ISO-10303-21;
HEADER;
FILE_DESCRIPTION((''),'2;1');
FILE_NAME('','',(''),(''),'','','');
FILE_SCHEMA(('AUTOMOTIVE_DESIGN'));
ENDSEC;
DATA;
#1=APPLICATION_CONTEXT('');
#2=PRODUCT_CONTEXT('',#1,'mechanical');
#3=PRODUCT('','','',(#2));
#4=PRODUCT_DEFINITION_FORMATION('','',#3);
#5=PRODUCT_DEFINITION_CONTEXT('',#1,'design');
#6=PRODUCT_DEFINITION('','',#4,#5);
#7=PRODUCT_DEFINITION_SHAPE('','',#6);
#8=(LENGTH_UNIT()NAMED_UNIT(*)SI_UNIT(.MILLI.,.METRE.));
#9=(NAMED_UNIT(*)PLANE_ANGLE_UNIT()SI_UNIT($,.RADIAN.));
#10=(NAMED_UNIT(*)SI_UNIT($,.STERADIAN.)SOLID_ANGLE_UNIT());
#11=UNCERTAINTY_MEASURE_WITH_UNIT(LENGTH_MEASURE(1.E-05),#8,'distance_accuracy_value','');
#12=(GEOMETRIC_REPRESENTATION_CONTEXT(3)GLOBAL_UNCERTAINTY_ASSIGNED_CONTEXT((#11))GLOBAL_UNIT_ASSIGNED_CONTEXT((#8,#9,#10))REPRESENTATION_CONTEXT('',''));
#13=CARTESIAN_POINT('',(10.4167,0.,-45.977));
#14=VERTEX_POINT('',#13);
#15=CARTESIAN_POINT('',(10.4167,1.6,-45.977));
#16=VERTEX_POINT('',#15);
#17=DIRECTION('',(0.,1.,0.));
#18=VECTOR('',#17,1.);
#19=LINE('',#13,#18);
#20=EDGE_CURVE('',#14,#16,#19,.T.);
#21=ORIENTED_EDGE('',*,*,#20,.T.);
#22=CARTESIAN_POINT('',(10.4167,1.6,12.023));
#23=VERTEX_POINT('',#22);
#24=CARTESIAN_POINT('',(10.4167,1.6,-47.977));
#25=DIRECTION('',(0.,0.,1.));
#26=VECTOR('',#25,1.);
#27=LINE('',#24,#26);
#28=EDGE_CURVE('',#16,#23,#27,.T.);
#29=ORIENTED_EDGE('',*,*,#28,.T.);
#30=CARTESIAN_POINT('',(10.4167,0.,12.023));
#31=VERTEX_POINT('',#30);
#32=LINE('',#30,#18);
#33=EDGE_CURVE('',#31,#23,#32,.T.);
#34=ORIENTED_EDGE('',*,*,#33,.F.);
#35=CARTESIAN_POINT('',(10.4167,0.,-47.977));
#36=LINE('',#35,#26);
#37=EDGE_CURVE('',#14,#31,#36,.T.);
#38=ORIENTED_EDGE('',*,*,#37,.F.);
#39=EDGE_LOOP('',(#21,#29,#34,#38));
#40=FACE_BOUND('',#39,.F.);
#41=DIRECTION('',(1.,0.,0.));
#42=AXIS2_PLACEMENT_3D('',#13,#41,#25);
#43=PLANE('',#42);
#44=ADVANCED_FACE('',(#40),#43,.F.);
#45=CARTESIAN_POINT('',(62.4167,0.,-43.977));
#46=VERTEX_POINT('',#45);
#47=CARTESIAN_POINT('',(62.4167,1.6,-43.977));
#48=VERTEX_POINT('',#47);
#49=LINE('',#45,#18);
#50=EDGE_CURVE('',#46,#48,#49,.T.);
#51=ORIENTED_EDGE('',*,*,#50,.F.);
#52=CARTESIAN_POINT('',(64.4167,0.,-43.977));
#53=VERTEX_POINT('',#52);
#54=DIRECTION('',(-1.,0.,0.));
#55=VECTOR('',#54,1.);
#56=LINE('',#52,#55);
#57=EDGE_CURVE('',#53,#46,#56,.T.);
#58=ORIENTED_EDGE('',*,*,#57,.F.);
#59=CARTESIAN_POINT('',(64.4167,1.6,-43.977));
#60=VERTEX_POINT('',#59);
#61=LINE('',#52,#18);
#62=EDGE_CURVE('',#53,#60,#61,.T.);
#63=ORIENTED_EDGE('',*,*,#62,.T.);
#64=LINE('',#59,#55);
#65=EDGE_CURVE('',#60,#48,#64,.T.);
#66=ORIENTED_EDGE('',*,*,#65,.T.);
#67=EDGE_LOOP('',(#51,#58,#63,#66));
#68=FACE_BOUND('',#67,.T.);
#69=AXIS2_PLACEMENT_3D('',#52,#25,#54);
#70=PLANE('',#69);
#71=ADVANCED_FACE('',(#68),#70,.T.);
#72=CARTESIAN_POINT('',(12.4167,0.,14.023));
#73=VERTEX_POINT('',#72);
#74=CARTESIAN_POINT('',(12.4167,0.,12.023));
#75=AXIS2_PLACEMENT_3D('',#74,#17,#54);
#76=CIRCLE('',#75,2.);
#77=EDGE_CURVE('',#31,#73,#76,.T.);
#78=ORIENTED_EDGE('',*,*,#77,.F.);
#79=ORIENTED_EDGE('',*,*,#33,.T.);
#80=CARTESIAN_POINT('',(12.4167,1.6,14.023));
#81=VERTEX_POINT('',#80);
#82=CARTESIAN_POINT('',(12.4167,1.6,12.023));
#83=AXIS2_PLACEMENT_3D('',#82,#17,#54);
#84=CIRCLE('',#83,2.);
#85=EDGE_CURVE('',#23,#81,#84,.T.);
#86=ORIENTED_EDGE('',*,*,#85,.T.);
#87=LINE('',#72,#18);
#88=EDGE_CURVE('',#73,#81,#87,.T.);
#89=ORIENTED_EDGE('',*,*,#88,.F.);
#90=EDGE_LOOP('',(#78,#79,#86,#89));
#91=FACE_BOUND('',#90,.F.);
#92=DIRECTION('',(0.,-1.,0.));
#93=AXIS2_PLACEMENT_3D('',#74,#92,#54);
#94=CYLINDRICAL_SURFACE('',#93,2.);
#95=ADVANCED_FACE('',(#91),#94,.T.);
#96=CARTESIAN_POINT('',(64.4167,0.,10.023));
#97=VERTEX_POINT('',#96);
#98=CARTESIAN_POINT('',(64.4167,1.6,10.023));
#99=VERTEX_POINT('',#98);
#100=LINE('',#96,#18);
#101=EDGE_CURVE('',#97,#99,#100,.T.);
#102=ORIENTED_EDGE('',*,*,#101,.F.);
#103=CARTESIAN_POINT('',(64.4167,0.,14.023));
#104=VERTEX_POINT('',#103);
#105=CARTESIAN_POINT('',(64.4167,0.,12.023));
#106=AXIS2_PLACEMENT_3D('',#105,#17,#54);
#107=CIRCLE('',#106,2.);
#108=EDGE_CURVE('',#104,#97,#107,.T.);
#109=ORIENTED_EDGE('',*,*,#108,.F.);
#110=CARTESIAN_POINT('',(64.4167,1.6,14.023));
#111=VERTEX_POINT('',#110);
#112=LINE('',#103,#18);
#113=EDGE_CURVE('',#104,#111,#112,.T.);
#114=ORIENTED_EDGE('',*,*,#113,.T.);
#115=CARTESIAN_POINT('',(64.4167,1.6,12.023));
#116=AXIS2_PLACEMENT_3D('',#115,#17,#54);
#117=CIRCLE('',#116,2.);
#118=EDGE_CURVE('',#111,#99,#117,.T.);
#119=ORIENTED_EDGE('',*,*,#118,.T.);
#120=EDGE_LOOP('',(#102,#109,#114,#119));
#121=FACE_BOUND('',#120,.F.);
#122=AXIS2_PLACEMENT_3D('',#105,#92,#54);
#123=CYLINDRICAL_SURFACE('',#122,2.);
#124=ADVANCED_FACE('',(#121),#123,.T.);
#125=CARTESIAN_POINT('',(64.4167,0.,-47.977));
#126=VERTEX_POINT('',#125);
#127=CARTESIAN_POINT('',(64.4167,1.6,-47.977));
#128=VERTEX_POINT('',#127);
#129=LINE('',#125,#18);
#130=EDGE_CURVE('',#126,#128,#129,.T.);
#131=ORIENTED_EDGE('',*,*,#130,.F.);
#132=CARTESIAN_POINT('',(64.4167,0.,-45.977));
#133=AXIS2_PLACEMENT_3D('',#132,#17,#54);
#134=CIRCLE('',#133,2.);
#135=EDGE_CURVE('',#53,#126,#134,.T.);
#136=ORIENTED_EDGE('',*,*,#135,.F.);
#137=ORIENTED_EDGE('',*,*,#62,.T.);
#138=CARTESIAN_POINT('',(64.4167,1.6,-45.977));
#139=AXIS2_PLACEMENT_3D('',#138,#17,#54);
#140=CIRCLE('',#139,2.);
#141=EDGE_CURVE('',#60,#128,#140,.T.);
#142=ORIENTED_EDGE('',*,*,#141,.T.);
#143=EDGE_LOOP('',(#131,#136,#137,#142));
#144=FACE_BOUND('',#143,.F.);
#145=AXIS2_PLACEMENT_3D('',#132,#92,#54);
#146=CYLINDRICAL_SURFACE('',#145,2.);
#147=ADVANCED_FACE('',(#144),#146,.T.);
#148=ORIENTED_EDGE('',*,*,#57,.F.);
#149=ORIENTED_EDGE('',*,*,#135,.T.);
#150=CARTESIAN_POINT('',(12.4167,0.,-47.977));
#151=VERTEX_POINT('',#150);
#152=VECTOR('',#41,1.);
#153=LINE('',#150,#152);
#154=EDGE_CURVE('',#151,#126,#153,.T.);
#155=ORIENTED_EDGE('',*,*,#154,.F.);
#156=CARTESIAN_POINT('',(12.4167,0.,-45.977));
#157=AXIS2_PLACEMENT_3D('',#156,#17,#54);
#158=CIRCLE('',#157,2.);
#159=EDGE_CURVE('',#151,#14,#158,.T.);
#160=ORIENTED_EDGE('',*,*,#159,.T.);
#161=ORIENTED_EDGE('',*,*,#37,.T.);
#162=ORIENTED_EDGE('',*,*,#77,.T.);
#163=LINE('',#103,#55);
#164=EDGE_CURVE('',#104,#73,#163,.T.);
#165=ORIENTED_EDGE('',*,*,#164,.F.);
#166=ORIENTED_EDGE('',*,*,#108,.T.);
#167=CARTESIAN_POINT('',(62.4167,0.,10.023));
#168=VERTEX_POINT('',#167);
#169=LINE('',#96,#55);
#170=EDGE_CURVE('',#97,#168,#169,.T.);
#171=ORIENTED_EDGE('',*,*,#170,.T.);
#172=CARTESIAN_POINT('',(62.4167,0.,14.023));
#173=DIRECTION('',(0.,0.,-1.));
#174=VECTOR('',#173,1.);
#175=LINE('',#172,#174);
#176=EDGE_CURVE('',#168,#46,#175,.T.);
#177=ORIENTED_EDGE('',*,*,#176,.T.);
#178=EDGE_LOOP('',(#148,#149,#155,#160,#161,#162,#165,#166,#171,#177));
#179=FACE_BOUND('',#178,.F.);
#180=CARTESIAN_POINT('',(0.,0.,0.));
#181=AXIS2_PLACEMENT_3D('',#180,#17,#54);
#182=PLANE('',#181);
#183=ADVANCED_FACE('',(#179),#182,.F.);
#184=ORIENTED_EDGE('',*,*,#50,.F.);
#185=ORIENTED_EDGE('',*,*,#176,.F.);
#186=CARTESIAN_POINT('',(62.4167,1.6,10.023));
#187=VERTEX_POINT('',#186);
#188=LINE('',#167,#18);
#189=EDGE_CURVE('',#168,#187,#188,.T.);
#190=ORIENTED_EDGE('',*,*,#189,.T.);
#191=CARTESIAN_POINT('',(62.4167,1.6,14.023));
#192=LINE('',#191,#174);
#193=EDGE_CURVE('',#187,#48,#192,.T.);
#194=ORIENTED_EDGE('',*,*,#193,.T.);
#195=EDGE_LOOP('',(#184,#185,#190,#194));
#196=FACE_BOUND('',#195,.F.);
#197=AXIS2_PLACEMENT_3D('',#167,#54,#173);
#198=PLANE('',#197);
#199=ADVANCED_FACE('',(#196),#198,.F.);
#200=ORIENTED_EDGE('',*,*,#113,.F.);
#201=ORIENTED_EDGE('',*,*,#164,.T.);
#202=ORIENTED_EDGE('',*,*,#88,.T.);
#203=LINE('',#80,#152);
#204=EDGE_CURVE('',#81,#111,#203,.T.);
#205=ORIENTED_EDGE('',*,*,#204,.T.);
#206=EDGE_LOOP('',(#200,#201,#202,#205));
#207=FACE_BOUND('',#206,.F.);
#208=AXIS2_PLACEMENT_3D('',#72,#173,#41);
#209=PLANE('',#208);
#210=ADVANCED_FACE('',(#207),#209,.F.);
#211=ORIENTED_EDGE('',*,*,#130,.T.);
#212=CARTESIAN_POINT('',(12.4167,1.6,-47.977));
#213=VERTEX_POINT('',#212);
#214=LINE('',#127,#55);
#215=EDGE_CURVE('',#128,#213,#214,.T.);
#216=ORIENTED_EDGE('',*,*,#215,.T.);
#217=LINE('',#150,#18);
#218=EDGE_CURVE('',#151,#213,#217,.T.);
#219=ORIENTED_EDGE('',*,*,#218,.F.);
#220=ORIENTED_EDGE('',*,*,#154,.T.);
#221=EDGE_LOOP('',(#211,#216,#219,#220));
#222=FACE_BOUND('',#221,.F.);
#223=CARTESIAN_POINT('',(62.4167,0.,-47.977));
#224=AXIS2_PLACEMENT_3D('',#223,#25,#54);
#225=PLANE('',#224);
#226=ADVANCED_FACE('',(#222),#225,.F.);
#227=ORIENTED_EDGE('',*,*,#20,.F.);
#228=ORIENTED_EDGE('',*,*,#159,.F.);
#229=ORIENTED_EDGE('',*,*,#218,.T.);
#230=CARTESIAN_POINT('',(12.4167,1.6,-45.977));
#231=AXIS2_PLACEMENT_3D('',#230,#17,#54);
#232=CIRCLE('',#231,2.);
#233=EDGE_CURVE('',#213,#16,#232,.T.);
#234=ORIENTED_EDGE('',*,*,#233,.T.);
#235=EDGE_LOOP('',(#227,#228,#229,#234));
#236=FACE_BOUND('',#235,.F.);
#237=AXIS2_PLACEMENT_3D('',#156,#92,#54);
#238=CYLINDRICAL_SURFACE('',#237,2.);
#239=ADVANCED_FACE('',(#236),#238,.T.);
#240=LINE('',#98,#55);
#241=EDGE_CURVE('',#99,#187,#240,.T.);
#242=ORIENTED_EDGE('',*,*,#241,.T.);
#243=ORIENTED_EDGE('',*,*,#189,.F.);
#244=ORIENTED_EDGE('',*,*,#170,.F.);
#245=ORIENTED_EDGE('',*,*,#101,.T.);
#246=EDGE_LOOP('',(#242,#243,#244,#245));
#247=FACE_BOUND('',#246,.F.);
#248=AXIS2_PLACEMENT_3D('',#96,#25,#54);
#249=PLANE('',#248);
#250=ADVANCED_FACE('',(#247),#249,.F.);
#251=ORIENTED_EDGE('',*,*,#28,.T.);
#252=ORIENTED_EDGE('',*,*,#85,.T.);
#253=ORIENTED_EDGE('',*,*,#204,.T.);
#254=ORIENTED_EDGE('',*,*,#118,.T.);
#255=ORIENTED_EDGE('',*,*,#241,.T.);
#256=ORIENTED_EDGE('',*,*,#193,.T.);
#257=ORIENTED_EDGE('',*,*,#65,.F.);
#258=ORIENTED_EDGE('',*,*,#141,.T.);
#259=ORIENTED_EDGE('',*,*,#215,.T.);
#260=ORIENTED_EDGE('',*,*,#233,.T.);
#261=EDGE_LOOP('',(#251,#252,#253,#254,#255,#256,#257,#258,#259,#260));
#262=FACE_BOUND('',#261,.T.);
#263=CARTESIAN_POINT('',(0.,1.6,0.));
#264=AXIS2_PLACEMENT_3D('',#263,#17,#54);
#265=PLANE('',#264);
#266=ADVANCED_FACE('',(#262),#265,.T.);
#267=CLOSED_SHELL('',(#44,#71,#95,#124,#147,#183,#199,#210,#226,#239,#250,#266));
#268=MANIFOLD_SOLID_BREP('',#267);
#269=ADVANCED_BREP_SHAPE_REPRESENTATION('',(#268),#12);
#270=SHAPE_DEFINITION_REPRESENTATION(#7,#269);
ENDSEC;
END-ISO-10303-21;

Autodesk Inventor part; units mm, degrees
ref_plane "YZ Plane" through (0, 0, 0) normal (1, 0, 0) x (0, 1, 0)
ref_plane "XZ Plane" through (0, 0, 0) normal (0, 1, 0) x (-1, 0, 0)
ref_plane "XY Plane" through (0, 0, 0) normal (0, 0, 1) x (1, 0, 0)
sketch "Sketch1" plane through (0, 0, 0) normal (0, 1, 0) x (-1, 0, 0)
  line L0 (-10.4167, 14.023) -> (-62.4167, 14.023)
  line L1 (-62.4167, 14.023) -> (-62.4167, -47.977)
  line L2 (-62.4167, -47.977) -> (-10.4167, -47.977)
  line L3 (-10.4167, -47.977) -> (-10.4167, 14.023)
  circle A0 centre (-64.4167, -45.977) radius 2
  line L4 (-64.4167, -43.977) -> (-62.4167, -43.977)
  line L5 (-64.4167, -47.977) -> (-62.4167, -47.977)
  circle A1 centre (-12.4167, 12.023) radius 2
  circle A2 centre (-12.4167, -45.977) radius 2
  circle A3 centre (-64.4167, 12.023) radius 2
  line L6 (-64.4167, 14.023) -> (-62.4167, 14.023)
  line L7 (-64.4167, 10.023) -> (-62.4167, 10.023)
  point P0 (0, 0)
  point P1 (-10.4167, -45.977)
  point P2 (-10.4167, 12.023)
  point P3 (-12.4167, 14.023)
  point P4 (-12.4167, -47.977)
  dimension "d0" = 52
  dimension "d1" = 62
  dimension "d2" = 4
  dimension "d3" = 2
  dimension "d4" = 2
  dimension "d5" = 4
  dimension "d6" = 4
  dimension "d7" = 4
  dimension "d8" = 2
  dimension "d9" = 2
extrude "Extrusion1" add sketch "Sketch1" along normal blind 1.6 contours A1 L3 A2 L2 L1 L0 | A1 | L1 A3 L6 | A2 | A3 | L1 L7 A3 | L5 A0 L1 | L1 A0 L4 | A0
properties part number "Płytka"
